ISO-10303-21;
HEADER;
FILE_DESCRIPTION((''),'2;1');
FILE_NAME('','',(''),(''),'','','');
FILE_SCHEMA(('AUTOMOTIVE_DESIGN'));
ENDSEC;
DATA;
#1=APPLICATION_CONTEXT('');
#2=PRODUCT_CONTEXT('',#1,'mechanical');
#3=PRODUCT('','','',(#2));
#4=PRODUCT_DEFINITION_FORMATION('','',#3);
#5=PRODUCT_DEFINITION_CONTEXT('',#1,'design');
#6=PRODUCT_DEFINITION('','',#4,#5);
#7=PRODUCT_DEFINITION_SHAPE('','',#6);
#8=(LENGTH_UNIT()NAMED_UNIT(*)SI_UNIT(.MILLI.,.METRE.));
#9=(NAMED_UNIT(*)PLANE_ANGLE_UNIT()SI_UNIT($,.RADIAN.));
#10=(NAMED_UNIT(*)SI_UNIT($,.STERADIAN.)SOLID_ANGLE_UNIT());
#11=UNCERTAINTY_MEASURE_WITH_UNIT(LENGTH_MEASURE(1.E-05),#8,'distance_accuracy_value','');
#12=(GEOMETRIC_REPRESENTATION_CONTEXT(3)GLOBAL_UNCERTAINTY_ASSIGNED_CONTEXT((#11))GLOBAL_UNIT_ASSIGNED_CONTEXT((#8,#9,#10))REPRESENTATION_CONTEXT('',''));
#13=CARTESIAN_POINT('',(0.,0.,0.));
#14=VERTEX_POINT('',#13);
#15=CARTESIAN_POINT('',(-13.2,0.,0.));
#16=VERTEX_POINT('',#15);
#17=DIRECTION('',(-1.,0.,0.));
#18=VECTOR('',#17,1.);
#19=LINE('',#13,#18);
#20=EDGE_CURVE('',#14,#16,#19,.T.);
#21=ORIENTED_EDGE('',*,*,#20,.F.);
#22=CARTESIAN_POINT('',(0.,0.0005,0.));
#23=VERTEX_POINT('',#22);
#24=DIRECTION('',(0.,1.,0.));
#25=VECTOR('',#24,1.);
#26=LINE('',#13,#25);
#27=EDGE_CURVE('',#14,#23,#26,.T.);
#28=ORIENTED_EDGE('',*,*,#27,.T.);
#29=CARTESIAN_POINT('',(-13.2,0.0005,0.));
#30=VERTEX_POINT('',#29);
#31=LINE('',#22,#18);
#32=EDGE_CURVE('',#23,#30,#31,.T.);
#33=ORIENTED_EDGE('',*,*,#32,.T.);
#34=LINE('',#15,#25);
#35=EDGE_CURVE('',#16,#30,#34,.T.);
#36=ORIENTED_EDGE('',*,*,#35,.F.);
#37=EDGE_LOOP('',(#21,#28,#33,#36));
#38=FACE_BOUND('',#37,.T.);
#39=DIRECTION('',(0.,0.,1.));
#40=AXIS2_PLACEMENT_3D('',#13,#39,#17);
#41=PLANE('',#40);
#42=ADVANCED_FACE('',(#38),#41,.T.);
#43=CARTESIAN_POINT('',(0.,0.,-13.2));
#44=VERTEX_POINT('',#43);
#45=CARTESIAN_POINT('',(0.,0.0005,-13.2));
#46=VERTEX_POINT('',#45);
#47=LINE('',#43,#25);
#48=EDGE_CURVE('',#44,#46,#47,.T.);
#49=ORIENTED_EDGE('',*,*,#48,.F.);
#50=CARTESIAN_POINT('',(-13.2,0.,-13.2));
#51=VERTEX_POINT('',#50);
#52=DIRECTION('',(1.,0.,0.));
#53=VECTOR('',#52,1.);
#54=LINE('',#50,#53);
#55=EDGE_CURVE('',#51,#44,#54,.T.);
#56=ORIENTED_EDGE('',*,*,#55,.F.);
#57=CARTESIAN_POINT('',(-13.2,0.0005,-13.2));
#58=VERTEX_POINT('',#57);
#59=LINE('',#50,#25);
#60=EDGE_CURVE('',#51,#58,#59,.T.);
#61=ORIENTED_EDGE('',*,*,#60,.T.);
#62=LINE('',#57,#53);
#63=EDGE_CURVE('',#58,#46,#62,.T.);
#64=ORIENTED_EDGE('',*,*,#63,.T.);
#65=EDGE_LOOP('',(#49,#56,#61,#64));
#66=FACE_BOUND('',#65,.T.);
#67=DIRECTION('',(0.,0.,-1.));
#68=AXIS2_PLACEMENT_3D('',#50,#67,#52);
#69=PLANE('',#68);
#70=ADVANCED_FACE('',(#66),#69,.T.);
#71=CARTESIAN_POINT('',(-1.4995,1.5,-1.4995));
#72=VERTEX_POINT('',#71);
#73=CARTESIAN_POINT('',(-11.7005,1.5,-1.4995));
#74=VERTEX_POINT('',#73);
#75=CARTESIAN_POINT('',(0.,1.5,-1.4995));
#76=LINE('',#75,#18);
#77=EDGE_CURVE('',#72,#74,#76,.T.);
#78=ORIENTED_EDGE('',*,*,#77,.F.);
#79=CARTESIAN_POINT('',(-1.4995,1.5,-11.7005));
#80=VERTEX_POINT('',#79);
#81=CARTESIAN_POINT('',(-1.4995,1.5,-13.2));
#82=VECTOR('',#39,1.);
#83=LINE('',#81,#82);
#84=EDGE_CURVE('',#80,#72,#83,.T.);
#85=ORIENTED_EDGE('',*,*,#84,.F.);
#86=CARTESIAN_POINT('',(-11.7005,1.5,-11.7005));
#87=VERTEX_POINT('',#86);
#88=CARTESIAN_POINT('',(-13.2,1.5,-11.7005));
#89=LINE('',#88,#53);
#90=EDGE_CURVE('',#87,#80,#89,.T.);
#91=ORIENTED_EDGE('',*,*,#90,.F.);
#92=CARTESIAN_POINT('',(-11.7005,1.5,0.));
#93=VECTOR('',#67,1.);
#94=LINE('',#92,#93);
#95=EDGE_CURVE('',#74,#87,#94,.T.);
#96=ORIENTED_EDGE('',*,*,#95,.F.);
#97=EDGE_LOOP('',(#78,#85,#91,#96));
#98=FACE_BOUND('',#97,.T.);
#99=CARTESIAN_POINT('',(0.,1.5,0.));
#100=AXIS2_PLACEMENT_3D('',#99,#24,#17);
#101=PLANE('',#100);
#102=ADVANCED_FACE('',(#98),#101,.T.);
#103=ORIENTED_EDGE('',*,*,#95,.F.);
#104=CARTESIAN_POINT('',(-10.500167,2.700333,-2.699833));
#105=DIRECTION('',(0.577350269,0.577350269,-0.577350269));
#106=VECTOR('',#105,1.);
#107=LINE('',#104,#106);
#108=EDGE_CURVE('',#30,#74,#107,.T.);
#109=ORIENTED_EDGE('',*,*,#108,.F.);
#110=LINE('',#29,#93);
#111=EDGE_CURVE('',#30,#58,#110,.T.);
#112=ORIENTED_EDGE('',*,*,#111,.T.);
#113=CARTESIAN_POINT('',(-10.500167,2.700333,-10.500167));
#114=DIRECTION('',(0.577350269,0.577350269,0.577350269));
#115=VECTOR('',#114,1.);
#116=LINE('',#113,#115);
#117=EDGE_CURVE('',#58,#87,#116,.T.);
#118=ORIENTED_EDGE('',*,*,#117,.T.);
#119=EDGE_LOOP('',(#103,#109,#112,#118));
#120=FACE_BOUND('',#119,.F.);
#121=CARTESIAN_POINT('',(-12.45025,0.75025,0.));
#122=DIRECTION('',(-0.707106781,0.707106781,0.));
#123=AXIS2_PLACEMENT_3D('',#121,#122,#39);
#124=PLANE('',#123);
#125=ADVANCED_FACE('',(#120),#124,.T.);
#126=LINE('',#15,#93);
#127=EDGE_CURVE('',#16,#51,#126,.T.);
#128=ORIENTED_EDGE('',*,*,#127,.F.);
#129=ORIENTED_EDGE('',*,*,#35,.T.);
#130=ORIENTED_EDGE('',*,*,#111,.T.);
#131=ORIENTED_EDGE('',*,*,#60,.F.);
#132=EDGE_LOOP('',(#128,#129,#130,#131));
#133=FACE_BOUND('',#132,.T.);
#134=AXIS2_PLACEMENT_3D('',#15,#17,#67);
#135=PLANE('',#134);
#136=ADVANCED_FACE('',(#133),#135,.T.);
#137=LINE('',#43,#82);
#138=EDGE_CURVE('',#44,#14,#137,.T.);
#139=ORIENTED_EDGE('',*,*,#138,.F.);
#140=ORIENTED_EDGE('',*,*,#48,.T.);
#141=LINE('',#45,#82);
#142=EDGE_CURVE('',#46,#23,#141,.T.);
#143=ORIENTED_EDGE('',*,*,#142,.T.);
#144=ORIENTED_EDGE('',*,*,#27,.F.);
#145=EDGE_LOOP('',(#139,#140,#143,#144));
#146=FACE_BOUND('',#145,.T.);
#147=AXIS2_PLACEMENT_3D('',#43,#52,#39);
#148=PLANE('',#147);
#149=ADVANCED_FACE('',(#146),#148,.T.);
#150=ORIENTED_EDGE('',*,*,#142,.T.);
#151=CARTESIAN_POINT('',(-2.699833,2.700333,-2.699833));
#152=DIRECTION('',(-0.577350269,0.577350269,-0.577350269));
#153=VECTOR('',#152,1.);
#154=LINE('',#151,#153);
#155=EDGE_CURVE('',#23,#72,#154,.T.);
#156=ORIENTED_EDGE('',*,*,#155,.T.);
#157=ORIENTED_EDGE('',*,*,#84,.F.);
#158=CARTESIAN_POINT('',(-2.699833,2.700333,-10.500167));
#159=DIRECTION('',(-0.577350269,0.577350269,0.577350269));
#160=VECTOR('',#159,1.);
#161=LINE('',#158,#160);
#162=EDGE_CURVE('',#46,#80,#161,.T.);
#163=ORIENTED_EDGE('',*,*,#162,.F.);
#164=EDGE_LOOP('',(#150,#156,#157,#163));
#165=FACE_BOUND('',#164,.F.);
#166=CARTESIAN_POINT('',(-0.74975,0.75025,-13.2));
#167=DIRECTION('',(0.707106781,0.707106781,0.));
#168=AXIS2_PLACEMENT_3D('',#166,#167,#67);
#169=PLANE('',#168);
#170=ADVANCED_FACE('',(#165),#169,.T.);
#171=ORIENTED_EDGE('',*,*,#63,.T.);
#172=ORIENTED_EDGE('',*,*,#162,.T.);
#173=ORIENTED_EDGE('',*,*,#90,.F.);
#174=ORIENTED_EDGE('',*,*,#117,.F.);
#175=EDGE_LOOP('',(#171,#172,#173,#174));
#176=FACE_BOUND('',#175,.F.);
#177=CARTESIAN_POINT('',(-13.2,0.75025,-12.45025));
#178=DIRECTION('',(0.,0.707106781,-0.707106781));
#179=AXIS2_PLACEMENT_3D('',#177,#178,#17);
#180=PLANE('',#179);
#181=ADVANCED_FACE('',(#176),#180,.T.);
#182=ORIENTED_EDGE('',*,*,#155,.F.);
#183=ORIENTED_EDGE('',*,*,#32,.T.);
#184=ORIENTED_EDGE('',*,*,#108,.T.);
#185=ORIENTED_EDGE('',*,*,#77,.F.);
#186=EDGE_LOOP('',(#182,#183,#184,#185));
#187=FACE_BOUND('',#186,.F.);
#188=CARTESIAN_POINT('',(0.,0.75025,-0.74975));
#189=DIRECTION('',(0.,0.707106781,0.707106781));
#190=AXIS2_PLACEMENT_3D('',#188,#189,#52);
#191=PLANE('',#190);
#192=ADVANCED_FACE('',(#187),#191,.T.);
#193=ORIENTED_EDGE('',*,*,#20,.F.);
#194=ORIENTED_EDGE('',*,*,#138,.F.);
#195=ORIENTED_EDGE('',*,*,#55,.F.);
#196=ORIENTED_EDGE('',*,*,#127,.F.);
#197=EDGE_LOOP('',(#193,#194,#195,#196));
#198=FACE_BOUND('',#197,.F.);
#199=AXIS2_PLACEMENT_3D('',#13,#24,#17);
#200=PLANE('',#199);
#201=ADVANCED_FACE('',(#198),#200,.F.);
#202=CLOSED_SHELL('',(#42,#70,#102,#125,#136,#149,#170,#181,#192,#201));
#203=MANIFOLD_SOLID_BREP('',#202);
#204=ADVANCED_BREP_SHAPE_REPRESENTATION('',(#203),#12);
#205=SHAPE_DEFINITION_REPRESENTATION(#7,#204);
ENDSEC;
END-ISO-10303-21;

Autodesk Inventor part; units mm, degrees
ref_plane "YZ Plane" through (0, 0, 0) normal (1, 0, 0) x (0, 1, 0)
ref_plane "XZ Plane" through (0, 0, 0) normal (0, 1, 0) x (-1, 0, 0)
ref_plane "XY Plane" through (0, 0, 0) normal (0, 0, 1) x (1, 0, 0)
sketch "Sketch1" plane through (0, 0, 0) normal (0, 1, 0) x (-1, 0, 0)
  line L0 (0, 0) -> (13.2, 0)
  line L1 (13.2, 0) -> (13.2, -13.2)
  line L2 (13.2, -13.2) -> (0, -13.2)
  line L3 (0, -13.2) -> (0, 0)
  dimension "d0" = 13.2
  dimension "d1" = 13.2
extrude "Extrusion1" add sketch "Sketch1" along normal blind 1.5
chamfer "Chamfer1" distance 1.5 angle 45 4 edges at (0, 1.5, -6.6) (-6.6, 1.5, 0) (-13.2, 1.5, -6.6) (-6.6, 1.5, -13.2)
properties part number "reed-switch-cap"
